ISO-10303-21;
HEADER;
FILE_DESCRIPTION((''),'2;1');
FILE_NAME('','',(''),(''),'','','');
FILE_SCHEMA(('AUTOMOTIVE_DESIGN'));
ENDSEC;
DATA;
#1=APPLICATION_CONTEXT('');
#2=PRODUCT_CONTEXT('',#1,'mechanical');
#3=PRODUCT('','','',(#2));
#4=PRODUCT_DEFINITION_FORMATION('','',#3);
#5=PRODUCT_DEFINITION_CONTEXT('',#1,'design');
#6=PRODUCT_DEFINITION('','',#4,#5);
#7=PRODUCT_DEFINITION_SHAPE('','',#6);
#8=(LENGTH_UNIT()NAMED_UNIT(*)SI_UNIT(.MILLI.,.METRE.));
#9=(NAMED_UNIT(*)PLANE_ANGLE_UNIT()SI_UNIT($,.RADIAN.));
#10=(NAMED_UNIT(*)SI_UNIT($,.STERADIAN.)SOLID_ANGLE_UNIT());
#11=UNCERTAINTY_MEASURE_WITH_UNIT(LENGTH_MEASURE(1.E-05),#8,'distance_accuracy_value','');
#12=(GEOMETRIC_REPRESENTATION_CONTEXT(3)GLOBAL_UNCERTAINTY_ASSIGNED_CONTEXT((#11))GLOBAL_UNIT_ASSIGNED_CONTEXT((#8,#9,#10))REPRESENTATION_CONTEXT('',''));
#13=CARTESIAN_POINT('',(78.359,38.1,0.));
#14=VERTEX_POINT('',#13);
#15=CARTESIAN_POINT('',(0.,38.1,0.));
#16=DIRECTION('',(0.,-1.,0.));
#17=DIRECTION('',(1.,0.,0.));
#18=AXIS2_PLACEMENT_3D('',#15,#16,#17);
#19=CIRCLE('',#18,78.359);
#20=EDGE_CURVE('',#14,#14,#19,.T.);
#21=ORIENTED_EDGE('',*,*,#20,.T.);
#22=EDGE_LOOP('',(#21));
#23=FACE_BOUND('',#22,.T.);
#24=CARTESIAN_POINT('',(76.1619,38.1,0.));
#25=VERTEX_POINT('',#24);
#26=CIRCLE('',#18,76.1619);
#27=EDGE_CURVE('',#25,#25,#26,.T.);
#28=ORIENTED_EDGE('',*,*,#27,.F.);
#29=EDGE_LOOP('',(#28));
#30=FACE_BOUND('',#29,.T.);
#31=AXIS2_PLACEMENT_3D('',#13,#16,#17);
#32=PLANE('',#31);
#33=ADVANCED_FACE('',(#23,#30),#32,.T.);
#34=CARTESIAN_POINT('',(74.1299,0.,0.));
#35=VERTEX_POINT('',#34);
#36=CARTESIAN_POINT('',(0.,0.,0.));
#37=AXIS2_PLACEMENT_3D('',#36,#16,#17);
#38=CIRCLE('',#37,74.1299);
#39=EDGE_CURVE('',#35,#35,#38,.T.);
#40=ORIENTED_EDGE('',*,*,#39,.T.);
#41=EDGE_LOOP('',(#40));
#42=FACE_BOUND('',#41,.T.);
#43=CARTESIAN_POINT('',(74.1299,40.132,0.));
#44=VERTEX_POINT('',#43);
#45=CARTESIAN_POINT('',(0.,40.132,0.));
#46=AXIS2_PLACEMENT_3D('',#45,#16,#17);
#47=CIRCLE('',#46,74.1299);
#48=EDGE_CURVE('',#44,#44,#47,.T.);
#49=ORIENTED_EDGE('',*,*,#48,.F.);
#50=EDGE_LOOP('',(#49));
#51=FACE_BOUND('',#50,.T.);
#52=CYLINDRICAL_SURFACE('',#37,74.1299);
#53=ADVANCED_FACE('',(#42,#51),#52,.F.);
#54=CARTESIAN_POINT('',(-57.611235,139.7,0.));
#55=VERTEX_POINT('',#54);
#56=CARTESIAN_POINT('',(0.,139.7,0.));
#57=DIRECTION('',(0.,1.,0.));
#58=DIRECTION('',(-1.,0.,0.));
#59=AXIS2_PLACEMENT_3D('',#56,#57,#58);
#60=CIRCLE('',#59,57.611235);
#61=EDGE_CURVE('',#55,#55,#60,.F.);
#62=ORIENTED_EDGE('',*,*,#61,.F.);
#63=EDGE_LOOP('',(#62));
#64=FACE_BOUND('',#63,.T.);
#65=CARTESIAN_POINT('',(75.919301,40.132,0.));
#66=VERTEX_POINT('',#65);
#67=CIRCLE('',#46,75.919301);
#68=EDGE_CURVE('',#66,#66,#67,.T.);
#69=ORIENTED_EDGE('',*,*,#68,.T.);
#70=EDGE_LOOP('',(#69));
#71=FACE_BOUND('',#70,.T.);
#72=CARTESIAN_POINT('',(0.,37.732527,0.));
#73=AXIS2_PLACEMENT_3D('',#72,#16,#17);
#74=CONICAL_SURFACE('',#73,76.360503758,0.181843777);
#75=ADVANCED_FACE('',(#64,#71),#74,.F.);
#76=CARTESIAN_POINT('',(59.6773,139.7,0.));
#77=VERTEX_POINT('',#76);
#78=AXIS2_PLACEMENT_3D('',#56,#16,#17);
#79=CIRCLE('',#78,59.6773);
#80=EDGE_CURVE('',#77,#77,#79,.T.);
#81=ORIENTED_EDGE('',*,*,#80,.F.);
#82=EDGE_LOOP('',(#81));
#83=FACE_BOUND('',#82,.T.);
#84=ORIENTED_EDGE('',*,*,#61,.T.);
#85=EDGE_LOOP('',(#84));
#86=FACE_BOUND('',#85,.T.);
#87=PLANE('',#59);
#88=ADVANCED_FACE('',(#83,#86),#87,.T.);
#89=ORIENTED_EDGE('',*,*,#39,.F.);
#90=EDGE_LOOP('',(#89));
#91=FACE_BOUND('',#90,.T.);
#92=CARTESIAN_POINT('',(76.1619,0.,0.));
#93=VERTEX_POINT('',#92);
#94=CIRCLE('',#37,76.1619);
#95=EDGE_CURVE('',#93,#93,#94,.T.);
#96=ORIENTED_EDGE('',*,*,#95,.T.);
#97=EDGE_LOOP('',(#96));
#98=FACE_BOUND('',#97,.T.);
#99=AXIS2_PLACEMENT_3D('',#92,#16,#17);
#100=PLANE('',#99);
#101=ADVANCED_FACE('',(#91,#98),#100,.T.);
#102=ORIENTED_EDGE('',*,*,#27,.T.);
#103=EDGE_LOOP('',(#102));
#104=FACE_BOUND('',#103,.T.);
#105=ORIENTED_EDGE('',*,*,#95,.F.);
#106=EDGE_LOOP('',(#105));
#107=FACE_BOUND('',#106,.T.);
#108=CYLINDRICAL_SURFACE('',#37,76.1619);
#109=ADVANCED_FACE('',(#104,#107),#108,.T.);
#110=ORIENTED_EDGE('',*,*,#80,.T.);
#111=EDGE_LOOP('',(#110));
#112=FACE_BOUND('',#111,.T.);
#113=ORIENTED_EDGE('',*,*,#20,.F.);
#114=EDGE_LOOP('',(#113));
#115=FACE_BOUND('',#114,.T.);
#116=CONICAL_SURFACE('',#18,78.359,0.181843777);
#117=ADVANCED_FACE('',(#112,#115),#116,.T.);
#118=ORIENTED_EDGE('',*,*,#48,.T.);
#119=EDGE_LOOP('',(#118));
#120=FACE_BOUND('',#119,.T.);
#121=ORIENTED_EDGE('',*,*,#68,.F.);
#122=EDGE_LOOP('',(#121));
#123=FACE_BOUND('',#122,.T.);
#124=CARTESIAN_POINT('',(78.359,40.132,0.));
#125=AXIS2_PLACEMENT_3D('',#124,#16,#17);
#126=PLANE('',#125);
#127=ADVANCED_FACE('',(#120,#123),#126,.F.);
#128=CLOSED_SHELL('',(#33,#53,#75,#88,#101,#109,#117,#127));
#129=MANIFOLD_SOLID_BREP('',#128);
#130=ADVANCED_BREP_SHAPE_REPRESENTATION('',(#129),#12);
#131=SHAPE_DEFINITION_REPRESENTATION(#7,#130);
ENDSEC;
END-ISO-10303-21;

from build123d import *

# Parameters (mm, degrees)
SHELL1_T = -2.032


with BuildPart() as part:
    # Sketch1 → Revolve1 (revolve)
    with BuildSketch(Plane.XY):
        Polygon((0, 139.7), (59.6773, 139.7), (78.359, 38.1), (76.1619, 38.1), (76.1619, 0), (0, 0), align=None)
    revolve(axis=Axis((0, 0, 0), (0, 1, 0)))

    # Shell1
    shell1_openings = [part.faces().sort_by_distance(p)[0] for p in [
        (0, 0, 0),
        (0, 139.7, 0),
    ]]
    offset(amount=SHELL1_T, openings=shell1_openings, kind=Kind.INTERSECTION)


solid = part.part
